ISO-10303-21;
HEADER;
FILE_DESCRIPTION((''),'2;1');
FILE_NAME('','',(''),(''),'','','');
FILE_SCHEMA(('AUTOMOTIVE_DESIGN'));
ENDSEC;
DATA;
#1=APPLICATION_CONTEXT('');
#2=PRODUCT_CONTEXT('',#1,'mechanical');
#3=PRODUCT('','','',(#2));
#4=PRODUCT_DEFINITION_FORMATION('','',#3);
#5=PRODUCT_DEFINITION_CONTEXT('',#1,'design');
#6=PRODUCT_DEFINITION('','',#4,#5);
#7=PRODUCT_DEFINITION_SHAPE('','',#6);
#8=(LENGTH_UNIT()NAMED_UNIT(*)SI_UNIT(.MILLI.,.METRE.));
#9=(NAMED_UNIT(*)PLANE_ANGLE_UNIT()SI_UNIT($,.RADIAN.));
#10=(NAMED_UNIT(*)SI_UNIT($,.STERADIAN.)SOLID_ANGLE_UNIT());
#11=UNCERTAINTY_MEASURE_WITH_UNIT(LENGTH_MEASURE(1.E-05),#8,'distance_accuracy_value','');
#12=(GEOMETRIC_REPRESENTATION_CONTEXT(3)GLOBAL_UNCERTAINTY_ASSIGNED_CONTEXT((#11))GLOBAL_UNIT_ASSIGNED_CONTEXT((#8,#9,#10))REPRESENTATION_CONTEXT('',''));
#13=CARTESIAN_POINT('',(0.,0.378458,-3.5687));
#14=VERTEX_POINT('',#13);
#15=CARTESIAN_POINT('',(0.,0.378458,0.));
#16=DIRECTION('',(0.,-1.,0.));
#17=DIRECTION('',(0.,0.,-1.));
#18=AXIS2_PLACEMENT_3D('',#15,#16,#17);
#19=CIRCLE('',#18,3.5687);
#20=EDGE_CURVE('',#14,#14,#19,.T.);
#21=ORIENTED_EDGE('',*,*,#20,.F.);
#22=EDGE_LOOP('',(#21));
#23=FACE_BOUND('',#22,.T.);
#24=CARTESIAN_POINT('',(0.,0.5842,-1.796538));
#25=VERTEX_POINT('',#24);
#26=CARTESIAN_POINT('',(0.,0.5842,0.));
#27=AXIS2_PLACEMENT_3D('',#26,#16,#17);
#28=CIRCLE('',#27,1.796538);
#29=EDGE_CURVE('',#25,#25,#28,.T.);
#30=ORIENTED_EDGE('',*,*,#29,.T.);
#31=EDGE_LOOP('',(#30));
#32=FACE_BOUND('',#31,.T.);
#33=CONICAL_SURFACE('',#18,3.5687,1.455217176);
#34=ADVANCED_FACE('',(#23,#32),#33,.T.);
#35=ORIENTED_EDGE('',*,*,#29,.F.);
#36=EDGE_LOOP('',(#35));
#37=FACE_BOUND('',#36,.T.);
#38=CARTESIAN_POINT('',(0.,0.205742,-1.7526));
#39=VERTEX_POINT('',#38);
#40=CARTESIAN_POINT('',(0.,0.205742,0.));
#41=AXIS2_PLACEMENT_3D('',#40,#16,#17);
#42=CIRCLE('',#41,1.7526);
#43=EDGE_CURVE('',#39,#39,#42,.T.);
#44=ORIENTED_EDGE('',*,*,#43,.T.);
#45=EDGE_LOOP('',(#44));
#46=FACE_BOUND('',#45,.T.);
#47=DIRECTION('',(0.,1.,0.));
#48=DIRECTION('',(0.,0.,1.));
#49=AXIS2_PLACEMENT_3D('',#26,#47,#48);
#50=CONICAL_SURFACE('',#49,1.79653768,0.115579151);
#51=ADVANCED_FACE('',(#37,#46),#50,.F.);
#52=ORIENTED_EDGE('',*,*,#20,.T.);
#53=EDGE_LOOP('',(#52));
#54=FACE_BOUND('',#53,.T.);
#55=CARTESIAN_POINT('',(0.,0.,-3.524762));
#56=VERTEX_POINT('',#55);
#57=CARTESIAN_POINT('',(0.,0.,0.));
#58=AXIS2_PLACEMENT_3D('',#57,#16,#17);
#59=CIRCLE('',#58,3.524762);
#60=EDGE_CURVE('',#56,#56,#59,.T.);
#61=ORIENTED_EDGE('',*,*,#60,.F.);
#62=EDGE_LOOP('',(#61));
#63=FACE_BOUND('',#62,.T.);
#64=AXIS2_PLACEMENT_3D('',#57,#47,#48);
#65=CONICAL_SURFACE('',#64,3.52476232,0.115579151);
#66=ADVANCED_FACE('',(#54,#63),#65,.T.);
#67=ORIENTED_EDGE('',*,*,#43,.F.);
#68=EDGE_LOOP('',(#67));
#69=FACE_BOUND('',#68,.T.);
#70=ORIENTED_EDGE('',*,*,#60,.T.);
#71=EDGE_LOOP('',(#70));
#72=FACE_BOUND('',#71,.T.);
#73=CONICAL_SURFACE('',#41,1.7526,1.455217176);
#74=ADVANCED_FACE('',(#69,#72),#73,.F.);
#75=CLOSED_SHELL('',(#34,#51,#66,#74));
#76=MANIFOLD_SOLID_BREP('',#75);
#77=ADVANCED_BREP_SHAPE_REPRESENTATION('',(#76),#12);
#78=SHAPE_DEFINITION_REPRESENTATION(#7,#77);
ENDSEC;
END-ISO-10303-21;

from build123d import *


with BuildPart() as part:
    # Sketch1 → Revolve1 (revolve)
    with BuildSketch(Plane.XY):
        Polygon((3.52476232, 0), (1.7526, 0.20574197), (1.79653768, 0.5842), (3.5687, 0.37845803), align=None)
    revolve(axis=Axis((0, 0, 0), (0, 1, 0)))


solid = part.part
